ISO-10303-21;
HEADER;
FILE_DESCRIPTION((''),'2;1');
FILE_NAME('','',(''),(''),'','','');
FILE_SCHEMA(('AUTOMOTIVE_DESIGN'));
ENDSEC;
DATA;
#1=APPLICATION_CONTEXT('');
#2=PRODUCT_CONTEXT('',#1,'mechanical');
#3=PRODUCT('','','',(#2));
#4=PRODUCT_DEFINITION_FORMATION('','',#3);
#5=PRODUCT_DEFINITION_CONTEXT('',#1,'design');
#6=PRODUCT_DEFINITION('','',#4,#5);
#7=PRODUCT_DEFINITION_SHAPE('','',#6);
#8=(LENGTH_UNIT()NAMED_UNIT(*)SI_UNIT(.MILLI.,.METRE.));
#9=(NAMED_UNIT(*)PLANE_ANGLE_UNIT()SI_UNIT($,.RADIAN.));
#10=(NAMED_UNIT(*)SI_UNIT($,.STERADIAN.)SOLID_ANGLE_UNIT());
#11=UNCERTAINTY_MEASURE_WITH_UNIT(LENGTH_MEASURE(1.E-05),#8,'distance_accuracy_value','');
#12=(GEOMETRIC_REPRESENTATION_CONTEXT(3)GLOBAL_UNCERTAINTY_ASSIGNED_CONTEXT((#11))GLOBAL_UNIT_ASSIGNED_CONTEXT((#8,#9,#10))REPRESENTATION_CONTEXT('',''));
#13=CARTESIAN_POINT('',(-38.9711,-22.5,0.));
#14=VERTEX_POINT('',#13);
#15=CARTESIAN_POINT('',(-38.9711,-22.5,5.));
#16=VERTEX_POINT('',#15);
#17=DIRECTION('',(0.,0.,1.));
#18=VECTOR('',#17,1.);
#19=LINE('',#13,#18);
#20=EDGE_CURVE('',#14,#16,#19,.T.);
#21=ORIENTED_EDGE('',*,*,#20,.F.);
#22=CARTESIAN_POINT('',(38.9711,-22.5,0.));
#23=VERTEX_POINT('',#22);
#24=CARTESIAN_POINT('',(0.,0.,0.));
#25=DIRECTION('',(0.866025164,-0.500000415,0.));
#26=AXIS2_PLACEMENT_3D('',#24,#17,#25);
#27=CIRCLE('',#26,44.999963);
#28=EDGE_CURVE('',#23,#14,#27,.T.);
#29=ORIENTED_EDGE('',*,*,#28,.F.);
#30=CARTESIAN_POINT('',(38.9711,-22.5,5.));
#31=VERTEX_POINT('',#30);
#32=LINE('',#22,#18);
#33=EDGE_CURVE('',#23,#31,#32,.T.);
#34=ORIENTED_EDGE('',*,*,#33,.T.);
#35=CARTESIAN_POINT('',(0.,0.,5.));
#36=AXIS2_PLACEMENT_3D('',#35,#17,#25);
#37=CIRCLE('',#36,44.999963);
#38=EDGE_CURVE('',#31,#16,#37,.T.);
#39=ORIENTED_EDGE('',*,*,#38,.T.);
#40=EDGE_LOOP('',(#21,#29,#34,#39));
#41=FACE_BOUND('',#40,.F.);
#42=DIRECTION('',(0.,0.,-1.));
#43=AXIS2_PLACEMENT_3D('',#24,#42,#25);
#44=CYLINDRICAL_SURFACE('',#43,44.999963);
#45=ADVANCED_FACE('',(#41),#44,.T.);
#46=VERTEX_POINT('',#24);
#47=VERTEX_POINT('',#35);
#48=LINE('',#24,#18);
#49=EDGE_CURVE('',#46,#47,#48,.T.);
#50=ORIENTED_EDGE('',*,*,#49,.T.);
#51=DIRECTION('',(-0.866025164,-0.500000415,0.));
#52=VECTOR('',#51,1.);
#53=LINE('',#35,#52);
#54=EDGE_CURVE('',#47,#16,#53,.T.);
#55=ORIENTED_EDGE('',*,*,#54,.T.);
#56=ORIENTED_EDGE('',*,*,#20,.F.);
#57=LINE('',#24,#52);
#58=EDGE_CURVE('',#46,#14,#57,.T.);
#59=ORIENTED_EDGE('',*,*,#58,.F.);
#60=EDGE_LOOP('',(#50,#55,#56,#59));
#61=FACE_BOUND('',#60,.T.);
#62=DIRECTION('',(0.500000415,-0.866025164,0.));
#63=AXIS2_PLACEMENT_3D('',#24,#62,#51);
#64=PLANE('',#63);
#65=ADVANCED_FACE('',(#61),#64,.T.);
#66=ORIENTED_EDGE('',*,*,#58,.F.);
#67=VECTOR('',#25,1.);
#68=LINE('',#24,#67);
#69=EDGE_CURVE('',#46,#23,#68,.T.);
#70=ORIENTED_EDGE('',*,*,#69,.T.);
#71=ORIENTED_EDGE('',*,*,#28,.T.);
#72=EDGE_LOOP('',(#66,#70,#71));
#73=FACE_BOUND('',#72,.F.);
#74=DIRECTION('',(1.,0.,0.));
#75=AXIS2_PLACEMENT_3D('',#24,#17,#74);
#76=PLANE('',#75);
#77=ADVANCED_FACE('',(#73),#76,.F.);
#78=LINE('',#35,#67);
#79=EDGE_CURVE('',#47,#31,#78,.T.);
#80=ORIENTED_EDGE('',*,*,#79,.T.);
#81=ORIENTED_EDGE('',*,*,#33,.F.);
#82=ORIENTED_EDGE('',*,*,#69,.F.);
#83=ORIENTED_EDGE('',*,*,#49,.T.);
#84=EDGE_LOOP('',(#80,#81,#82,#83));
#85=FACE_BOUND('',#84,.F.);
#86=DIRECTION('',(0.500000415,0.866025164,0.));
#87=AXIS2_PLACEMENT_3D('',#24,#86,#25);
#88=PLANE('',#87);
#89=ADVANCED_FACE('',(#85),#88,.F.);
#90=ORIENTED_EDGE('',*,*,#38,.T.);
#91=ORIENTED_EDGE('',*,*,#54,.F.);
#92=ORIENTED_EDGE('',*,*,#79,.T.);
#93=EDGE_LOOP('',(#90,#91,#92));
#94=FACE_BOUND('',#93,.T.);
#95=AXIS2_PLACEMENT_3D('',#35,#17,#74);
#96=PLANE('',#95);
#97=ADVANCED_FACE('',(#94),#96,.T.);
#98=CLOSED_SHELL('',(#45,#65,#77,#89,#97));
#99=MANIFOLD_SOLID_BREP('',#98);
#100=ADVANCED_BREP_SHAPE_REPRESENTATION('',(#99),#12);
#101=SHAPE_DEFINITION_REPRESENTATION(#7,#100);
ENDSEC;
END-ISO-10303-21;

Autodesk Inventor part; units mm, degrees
ref_plane "YZ Plane" through (0, 0, 0) normal (1, 0, 0) x (0, 1, 0)
ref_plane "XZ Plane" through (0, 0, 0) normal (0, 1, 0) x (-1, 0, 0)
ref_plane "XY Plane" through (0, 0, 0) normal (0, 0, 1) x (1, 0, 0)
sketch "スケッチ1" plane through (0, 0, 0) normal (0, 0, 1) x (1, 0, 0)
  arc A0 (38.9711, -22.5) -> (-38.9711, -22.5) centre (0, 0) ccw
  line L0 (0, 0) -> (-38.9711, -22.5)
  line L1 (0, 0) -> (45, 0) construction
  line L2 (0, 0) -> (38.9711, -22.5)
  line L3 (0, 0) -> (45, 0) construction
  dimension "d0" = 90
  dimension "d1" = 150
  dimension "d2" = 330
extrude "押し出し1" add sketch "スケッチ1" along normal blind 5
properties part number "RescueKitThrow-Jointv2"
